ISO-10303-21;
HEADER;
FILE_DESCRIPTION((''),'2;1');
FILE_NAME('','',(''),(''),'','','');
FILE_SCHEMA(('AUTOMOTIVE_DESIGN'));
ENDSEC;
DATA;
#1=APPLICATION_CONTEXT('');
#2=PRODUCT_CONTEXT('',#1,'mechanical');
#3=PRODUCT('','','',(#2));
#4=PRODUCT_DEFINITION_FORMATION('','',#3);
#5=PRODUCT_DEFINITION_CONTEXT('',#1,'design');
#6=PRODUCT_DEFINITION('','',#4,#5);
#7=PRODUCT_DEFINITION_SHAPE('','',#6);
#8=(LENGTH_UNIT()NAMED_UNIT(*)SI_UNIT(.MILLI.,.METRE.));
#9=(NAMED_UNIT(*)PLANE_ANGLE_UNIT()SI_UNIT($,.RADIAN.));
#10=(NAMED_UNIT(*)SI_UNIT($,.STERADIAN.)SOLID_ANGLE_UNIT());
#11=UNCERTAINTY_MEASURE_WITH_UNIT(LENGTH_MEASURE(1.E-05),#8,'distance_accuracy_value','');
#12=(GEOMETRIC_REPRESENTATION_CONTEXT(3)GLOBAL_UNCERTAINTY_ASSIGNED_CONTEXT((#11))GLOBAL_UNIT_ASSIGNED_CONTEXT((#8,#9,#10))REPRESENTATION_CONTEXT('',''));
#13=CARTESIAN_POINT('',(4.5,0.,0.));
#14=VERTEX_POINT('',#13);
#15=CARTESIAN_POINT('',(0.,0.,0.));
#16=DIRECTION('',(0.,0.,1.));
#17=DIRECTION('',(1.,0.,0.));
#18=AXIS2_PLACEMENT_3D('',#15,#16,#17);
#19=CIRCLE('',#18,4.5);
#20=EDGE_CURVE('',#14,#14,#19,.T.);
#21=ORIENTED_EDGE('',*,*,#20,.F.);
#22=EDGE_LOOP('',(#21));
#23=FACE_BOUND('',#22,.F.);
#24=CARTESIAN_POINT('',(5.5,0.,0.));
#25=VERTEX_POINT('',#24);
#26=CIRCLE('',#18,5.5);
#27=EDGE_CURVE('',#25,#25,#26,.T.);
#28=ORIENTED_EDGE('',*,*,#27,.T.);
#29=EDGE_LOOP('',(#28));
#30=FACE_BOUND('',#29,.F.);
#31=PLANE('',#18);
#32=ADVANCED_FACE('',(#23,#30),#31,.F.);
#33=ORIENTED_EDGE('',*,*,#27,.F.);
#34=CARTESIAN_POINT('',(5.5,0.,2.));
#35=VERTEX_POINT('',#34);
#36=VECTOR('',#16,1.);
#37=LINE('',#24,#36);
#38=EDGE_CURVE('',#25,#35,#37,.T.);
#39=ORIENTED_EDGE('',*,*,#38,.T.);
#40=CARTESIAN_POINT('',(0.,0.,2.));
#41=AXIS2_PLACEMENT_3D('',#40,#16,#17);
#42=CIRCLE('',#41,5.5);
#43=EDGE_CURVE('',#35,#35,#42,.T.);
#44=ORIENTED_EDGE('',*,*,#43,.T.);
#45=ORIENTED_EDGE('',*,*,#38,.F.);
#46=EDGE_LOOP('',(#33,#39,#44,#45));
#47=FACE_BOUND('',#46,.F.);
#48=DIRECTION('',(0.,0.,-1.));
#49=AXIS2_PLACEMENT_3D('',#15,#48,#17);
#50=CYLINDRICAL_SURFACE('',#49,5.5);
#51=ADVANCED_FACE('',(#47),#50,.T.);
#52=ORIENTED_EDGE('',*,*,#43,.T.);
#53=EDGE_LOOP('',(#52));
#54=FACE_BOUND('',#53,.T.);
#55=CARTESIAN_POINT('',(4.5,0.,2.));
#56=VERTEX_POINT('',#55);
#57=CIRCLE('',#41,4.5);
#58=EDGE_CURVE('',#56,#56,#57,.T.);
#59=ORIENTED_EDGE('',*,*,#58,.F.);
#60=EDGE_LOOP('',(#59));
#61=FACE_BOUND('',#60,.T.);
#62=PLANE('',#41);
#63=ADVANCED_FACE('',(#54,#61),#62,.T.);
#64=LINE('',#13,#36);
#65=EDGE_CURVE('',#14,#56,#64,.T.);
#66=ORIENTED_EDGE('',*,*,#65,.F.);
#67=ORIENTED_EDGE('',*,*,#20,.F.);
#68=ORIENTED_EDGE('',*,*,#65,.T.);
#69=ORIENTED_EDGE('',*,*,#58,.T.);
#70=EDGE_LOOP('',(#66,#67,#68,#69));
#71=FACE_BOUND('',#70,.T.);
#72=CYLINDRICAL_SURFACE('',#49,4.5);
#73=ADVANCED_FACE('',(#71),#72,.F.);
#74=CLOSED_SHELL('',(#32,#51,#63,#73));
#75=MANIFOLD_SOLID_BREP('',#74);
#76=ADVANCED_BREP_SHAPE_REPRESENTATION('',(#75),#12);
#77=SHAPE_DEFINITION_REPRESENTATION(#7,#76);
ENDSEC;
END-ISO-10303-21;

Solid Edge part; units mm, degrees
sketch "Sketch1" plane through (0, 0, 0) normal (0, 0, 1) x (1, 0, 0)
  circle A0 centre (0, 0) radius 4.5
  circle A1 centre (0, 0) radius 5.5
  dimension "D1" = 9
  dimension "D2" = 11
extrude "Protrusion1" add sketch "Sketch1" along normal blind 2
properties part number "096" material "Aluminiumlegierung:3.0205, Al 99.0, EN-AW 1200"
